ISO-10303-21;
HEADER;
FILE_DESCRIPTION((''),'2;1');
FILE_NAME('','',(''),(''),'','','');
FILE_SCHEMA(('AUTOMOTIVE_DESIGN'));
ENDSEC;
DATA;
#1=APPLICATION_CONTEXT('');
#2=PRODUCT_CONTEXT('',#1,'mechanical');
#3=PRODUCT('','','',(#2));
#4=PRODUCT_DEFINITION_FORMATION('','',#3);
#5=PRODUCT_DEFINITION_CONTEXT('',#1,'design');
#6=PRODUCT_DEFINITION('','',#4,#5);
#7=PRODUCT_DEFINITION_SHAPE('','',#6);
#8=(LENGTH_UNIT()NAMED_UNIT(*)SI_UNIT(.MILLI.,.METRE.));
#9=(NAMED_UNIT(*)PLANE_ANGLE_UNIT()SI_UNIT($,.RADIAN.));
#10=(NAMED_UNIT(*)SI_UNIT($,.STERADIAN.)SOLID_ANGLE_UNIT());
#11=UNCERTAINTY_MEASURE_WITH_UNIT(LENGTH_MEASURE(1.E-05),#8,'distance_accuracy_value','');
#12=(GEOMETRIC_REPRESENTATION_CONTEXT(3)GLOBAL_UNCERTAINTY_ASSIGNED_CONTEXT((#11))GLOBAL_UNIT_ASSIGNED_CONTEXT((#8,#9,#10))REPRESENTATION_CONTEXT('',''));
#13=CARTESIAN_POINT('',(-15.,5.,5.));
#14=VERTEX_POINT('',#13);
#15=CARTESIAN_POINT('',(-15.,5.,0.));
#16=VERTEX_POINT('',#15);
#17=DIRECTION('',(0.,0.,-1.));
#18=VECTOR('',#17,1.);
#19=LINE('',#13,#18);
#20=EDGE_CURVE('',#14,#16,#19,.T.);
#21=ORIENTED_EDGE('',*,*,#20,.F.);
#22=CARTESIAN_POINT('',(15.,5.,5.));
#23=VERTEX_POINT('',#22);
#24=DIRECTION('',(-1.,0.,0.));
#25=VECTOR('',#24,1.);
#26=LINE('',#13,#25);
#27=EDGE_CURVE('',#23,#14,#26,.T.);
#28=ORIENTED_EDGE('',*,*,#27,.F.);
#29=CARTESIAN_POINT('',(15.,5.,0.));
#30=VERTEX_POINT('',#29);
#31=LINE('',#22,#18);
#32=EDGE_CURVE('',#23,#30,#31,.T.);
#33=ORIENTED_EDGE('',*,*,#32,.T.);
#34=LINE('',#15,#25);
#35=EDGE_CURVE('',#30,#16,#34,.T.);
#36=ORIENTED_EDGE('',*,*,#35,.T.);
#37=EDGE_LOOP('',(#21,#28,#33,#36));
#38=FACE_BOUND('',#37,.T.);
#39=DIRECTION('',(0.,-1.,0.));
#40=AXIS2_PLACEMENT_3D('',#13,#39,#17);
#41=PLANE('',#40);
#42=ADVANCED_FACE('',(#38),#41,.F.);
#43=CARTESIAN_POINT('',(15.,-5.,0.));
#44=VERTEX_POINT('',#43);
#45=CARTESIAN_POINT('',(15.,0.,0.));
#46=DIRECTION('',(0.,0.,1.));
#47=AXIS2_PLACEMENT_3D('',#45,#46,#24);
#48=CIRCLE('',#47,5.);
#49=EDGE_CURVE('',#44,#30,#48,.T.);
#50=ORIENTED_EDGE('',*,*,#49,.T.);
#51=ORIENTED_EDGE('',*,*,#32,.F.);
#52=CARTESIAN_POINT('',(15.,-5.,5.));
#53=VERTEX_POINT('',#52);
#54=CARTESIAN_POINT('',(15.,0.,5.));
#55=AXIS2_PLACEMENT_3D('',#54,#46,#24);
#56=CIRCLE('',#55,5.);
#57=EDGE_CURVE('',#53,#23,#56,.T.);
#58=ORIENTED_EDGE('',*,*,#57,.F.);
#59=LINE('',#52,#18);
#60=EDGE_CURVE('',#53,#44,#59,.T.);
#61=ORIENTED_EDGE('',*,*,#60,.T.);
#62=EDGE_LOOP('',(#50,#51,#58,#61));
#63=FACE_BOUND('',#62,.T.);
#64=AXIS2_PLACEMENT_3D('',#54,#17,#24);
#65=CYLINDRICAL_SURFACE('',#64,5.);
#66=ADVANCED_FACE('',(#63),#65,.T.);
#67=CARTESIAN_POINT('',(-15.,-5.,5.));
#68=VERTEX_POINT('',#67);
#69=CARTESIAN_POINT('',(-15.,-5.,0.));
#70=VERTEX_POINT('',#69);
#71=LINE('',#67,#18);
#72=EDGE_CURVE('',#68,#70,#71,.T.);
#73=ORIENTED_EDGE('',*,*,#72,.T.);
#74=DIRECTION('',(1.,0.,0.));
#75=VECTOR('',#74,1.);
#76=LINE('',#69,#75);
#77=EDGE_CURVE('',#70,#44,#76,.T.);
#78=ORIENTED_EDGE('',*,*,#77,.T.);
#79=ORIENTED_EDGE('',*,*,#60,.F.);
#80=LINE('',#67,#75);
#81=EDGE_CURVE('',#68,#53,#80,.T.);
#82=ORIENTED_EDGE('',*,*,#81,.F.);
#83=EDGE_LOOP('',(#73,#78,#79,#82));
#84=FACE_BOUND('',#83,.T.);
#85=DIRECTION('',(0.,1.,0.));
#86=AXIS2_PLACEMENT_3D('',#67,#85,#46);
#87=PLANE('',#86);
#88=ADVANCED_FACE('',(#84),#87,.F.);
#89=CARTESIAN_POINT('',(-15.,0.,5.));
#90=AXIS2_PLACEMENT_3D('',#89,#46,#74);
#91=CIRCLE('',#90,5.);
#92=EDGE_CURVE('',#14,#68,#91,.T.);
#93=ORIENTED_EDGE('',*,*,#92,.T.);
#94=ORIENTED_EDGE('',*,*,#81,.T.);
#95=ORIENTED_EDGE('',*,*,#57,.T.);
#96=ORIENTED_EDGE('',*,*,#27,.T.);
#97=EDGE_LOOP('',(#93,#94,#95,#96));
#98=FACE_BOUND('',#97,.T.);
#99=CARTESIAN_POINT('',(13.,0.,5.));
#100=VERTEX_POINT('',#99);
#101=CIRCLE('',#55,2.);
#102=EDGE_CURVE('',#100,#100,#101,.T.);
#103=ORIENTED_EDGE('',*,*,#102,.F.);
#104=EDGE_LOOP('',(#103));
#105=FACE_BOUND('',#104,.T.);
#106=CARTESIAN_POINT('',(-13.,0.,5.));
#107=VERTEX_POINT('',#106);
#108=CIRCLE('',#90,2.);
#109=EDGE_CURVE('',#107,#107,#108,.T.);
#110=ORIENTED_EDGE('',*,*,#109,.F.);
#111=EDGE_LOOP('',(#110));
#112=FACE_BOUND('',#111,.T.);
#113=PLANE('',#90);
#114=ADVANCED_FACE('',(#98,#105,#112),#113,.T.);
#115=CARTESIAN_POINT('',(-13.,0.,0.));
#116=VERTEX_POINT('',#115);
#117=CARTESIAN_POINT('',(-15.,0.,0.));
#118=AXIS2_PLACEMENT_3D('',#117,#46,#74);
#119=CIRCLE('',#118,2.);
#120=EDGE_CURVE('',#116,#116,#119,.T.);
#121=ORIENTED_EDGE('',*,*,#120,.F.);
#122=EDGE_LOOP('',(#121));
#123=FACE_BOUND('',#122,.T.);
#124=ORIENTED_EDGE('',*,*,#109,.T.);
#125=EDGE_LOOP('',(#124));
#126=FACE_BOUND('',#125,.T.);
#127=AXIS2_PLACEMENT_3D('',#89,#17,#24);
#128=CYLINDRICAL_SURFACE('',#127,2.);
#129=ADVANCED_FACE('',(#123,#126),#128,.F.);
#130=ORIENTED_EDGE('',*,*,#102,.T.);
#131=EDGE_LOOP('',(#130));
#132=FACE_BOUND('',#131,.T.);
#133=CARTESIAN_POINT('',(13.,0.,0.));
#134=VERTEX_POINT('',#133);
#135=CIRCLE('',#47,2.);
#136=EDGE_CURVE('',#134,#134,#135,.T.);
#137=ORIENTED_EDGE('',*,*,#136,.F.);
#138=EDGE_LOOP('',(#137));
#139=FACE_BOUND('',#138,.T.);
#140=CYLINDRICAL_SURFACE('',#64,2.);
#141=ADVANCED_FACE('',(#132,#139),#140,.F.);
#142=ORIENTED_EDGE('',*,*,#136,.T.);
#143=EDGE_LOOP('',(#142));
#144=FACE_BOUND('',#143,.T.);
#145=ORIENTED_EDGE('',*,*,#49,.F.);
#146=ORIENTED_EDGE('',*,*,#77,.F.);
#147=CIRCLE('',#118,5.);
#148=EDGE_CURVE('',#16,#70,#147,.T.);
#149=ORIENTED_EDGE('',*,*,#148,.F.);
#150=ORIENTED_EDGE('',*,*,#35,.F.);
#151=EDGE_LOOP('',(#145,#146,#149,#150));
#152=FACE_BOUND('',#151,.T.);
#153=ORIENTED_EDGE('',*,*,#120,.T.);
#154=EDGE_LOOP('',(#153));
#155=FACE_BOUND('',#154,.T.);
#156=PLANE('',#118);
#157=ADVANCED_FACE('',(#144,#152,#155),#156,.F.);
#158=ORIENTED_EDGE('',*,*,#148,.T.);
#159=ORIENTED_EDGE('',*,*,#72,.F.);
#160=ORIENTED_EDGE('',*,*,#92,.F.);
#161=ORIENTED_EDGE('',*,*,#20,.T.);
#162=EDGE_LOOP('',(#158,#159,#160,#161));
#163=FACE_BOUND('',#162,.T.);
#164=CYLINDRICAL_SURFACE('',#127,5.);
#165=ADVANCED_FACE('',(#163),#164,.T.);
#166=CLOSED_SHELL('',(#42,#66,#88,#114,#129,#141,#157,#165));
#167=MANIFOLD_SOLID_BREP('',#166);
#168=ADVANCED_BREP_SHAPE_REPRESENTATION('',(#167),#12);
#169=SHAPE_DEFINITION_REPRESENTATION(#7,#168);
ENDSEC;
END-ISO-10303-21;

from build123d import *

# Parameters (mm, degrees)
SKETCH_1_R      = 2
EXTRUDE_1_DEPTH = 5


with BuildPart() as part:
    # 草图1 → 凸台-拉伸1 (new body)
    with BuildSketch(Plane.XY):
        with BuildLine():
            Line((-15, 5), (15, 5))
            ThreePointArc((15, 5), (20, 0), (15, -5))
            Line((15, -5), (-15, -5))
            ThreePointArc((-15, -5), (-20, 0), (-15, 5))
        make_face()
        with Locations((-15, 0)):
            Circle(SKETCH_1_R, mode=Mode.SUBTRACT)
        with Locations((15, 0)):
            Circle(SKETCH_1_R, mode=Mode.SUBTRACT)
    extrude(amount=EXTRUDE_1_DEPTH)


solid = part.part
